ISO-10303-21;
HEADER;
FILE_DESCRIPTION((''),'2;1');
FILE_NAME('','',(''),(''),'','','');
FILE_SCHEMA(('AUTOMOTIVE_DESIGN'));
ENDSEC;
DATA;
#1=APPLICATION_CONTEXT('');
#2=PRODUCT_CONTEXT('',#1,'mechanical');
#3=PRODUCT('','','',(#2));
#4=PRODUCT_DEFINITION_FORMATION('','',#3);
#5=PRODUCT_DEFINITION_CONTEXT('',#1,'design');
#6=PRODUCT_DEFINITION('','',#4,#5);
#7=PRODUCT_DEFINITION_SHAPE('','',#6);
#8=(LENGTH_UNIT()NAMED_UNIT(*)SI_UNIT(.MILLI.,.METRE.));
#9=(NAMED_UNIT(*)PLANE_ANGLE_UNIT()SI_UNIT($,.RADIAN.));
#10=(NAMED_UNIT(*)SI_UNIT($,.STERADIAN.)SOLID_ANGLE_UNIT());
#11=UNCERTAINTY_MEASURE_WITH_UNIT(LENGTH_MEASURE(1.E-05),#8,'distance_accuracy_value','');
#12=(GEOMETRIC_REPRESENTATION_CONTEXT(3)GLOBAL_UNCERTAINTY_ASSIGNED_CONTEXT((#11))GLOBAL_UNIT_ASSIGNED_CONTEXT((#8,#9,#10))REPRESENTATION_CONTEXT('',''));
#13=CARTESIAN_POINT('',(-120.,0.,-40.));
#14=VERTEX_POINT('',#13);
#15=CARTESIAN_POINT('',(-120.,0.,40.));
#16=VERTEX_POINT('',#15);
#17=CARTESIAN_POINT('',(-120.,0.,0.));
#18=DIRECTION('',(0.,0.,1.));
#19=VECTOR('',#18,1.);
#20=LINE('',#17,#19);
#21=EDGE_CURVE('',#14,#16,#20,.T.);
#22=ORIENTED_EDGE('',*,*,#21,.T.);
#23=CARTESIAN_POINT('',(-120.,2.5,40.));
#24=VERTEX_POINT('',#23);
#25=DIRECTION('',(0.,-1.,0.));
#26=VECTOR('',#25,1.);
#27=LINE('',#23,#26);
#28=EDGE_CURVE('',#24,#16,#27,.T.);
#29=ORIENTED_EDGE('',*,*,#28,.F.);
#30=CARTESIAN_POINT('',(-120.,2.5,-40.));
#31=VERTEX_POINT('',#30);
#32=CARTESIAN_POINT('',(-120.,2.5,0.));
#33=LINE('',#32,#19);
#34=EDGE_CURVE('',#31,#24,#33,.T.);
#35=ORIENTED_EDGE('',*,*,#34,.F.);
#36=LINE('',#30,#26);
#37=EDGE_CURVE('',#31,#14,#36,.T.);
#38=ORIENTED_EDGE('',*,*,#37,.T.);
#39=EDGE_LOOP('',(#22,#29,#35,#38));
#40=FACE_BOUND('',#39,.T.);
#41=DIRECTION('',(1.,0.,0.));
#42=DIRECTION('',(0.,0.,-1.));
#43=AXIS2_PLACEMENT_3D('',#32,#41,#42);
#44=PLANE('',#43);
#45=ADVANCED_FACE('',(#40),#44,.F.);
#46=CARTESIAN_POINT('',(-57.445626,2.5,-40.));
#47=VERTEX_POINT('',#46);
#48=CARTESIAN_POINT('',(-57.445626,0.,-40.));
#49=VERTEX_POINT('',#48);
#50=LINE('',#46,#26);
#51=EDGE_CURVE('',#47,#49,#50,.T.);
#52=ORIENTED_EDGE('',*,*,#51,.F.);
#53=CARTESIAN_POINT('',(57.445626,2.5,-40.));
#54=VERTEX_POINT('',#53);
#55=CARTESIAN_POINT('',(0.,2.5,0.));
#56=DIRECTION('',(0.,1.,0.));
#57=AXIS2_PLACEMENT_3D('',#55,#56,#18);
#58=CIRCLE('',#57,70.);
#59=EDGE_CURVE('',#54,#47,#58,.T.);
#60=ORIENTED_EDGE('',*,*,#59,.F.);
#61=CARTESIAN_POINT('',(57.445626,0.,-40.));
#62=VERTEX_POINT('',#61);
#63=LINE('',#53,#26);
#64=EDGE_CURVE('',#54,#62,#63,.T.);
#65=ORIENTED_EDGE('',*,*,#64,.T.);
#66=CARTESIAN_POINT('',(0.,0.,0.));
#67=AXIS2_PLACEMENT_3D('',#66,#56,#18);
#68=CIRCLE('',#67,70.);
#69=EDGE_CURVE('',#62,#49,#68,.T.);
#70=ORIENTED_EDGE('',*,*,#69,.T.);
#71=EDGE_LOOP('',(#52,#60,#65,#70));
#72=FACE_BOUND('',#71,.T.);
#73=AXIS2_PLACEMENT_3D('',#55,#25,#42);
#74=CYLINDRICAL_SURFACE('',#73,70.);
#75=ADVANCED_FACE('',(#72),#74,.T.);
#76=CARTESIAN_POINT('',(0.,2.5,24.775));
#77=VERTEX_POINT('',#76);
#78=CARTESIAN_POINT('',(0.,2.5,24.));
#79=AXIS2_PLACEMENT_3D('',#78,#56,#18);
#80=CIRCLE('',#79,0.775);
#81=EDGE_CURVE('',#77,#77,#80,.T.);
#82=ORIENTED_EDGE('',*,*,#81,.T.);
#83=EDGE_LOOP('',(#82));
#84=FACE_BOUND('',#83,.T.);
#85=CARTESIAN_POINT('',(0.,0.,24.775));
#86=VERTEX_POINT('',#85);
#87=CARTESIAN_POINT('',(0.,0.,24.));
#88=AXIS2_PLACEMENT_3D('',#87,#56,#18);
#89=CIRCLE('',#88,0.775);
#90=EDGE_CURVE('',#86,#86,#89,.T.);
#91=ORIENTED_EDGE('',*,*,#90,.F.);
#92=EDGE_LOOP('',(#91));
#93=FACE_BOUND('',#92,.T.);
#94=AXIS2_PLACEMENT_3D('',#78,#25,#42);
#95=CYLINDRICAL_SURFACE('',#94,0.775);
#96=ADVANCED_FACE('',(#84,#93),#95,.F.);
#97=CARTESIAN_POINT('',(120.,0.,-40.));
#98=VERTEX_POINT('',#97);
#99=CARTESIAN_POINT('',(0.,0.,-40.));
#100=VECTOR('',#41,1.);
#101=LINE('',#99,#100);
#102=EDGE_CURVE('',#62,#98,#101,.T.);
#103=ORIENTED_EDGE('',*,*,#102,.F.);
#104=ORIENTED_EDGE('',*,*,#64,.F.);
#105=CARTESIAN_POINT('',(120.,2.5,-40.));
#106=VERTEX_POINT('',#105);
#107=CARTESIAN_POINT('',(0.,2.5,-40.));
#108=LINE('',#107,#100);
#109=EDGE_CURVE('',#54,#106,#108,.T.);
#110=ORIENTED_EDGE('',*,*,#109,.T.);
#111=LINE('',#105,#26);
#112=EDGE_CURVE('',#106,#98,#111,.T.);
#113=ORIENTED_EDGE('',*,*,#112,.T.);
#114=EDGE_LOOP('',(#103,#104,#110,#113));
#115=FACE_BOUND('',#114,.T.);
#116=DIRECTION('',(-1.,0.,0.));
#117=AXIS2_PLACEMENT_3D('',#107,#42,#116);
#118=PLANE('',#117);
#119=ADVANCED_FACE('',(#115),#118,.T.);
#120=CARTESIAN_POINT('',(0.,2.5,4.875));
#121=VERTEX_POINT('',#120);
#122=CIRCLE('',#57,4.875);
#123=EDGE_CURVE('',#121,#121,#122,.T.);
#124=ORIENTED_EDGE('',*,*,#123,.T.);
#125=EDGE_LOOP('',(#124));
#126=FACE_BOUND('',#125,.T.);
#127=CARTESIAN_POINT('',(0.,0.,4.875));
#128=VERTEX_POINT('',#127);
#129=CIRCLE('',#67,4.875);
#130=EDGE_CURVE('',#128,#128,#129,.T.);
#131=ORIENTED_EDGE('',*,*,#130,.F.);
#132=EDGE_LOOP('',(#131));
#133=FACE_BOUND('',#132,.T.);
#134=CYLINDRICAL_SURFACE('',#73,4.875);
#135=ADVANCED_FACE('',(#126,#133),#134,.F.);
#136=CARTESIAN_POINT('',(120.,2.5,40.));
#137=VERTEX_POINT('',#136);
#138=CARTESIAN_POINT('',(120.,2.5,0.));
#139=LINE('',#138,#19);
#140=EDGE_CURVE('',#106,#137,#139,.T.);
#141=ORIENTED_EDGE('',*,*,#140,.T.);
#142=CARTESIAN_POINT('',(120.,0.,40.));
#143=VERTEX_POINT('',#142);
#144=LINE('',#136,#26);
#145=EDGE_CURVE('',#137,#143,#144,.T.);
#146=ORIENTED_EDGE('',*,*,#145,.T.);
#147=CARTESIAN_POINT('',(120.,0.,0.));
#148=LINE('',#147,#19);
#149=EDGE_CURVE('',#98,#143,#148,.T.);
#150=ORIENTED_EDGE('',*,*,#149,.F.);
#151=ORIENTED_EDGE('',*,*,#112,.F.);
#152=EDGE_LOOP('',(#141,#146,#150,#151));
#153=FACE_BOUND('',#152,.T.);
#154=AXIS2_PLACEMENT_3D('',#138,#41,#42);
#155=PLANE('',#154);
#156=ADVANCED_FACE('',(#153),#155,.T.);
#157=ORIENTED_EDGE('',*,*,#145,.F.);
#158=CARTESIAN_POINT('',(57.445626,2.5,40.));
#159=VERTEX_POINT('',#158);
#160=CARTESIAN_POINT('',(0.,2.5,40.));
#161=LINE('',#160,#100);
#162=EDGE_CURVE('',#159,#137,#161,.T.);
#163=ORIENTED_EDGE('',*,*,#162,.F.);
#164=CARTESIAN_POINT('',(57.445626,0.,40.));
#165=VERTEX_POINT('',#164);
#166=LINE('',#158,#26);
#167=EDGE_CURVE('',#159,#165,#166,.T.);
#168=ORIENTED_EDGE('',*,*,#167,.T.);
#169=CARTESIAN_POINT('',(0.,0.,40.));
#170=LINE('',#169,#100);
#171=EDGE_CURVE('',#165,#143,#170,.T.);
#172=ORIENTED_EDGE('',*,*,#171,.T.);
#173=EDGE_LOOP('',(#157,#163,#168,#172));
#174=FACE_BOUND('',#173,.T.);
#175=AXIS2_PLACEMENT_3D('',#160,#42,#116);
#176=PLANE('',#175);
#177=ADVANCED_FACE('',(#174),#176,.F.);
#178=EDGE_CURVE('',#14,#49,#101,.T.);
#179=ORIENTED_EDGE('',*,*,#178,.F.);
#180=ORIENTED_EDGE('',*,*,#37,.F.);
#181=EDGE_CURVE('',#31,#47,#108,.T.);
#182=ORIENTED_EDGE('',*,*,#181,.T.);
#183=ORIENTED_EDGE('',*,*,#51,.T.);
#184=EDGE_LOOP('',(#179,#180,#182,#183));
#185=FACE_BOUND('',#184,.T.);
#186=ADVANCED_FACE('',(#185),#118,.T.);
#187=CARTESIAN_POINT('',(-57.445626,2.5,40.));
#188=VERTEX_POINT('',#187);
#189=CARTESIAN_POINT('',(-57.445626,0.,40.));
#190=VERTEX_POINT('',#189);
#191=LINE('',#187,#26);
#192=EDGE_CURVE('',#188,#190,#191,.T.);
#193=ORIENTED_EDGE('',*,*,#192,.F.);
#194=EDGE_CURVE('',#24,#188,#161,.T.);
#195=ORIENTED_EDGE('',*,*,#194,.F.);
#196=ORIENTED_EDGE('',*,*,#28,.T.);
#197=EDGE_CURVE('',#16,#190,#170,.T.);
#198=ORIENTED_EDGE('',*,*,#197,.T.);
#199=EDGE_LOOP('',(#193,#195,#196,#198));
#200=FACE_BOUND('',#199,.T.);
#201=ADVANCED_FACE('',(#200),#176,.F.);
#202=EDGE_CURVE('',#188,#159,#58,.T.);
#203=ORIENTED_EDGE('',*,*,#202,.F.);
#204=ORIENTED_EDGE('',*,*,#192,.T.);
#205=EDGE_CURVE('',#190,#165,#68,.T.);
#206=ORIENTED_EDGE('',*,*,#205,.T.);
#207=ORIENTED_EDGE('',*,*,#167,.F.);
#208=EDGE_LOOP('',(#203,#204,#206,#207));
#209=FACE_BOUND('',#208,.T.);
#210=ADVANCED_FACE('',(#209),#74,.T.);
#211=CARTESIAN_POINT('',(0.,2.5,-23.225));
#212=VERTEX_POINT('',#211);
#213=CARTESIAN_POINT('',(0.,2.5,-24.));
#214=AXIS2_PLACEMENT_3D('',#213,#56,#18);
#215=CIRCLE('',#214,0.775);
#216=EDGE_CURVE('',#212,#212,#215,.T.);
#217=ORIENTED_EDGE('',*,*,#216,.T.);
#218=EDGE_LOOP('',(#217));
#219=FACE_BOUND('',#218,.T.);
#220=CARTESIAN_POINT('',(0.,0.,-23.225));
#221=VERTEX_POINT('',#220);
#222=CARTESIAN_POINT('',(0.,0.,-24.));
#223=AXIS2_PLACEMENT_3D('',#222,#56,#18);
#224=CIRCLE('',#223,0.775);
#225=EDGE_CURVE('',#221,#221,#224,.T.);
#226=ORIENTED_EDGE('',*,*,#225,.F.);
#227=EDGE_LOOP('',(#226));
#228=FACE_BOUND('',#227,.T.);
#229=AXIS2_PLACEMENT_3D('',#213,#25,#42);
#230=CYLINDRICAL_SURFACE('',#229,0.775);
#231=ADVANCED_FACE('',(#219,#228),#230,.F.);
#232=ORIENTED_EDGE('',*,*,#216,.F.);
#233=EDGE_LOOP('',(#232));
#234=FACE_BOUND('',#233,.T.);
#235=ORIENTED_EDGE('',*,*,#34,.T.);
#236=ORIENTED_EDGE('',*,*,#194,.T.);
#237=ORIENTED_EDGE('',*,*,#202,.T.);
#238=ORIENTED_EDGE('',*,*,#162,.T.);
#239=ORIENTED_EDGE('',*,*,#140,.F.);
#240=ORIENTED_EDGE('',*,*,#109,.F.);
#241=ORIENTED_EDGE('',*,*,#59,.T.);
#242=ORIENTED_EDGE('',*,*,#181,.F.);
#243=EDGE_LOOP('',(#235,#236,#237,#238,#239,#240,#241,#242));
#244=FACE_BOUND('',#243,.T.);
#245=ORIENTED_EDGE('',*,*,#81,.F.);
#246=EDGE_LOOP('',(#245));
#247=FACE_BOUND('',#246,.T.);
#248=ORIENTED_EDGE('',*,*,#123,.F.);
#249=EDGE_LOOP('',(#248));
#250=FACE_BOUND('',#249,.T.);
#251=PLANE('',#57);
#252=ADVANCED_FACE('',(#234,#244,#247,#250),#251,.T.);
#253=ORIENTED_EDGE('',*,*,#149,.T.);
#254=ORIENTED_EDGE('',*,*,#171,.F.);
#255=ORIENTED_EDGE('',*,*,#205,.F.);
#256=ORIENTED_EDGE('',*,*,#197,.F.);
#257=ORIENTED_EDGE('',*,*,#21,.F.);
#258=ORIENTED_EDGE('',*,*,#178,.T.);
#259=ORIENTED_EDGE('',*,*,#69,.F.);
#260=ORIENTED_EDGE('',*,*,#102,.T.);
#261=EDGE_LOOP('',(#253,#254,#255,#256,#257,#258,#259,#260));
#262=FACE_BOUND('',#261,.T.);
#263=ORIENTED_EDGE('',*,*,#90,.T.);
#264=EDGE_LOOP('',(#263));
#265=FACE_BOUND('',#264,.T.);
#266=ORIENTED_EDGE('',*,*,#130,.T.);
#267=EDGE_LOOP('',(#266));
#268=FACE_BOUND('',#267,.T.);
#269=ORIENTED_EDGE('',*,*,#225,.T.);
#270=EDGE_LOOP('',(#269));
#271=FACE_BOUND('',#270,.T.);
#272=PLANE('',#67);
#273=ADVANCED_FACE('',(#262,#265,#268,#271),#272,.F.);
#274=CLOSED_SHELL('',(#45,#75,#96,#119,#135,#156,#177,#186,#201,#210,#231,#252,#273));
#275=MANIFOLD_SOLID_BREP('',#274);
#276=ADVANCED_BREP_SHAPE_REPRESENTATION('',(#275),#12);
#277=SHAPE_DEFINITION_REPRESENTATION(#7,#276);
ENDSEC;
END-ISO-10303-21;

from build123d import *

# Parameters (mm, degrees)
SKETCH2_R           = 0.775
SKETCH2_R_2         = 4.875
BOSS_EXTRUDE1_DEPTH = 2.5


with BuildPart() as part:
    # Sketch2 → Boss-Extrude1 (new body)
    with BuildSketch(Plane(origin=(0, 0, 0), x_dir=(1, 0, 0), z_dir=(0, 1, 0))):
        with BuildLine():
            Line((-57.445626465, 40), (-120, 40))
            Line((-120, 40), (-120, -40))
            Line((-120, -40), (-57.445626465, -40))
            ThreePointArc((-57.445626465, -40), (0, -70), (57.445626465, -40))
            Line((57.445626465, -40), (120, -40))
            Line((120, -40), (120, 40))
            Line((120, 40), (57.445626465, 40))
            ThreePointArc((57.445626465, 40), (0, 70), (-57.445626465, 40))
        make_face()
        with Locations((0, 24)):
            Circle(SKETCH2_R, mode=Mode.SUBTRACT)
        with Locations((0, -24)):
            Circle(SKETCH2_R, mode=Mode.SUBTRACT)
        Circle(SKETCH2_R_2, mode=Mode.SUBTRACT)
    extrude(amount=BOSS_EXTRUDE1_DEPTH)


solid = part.part
